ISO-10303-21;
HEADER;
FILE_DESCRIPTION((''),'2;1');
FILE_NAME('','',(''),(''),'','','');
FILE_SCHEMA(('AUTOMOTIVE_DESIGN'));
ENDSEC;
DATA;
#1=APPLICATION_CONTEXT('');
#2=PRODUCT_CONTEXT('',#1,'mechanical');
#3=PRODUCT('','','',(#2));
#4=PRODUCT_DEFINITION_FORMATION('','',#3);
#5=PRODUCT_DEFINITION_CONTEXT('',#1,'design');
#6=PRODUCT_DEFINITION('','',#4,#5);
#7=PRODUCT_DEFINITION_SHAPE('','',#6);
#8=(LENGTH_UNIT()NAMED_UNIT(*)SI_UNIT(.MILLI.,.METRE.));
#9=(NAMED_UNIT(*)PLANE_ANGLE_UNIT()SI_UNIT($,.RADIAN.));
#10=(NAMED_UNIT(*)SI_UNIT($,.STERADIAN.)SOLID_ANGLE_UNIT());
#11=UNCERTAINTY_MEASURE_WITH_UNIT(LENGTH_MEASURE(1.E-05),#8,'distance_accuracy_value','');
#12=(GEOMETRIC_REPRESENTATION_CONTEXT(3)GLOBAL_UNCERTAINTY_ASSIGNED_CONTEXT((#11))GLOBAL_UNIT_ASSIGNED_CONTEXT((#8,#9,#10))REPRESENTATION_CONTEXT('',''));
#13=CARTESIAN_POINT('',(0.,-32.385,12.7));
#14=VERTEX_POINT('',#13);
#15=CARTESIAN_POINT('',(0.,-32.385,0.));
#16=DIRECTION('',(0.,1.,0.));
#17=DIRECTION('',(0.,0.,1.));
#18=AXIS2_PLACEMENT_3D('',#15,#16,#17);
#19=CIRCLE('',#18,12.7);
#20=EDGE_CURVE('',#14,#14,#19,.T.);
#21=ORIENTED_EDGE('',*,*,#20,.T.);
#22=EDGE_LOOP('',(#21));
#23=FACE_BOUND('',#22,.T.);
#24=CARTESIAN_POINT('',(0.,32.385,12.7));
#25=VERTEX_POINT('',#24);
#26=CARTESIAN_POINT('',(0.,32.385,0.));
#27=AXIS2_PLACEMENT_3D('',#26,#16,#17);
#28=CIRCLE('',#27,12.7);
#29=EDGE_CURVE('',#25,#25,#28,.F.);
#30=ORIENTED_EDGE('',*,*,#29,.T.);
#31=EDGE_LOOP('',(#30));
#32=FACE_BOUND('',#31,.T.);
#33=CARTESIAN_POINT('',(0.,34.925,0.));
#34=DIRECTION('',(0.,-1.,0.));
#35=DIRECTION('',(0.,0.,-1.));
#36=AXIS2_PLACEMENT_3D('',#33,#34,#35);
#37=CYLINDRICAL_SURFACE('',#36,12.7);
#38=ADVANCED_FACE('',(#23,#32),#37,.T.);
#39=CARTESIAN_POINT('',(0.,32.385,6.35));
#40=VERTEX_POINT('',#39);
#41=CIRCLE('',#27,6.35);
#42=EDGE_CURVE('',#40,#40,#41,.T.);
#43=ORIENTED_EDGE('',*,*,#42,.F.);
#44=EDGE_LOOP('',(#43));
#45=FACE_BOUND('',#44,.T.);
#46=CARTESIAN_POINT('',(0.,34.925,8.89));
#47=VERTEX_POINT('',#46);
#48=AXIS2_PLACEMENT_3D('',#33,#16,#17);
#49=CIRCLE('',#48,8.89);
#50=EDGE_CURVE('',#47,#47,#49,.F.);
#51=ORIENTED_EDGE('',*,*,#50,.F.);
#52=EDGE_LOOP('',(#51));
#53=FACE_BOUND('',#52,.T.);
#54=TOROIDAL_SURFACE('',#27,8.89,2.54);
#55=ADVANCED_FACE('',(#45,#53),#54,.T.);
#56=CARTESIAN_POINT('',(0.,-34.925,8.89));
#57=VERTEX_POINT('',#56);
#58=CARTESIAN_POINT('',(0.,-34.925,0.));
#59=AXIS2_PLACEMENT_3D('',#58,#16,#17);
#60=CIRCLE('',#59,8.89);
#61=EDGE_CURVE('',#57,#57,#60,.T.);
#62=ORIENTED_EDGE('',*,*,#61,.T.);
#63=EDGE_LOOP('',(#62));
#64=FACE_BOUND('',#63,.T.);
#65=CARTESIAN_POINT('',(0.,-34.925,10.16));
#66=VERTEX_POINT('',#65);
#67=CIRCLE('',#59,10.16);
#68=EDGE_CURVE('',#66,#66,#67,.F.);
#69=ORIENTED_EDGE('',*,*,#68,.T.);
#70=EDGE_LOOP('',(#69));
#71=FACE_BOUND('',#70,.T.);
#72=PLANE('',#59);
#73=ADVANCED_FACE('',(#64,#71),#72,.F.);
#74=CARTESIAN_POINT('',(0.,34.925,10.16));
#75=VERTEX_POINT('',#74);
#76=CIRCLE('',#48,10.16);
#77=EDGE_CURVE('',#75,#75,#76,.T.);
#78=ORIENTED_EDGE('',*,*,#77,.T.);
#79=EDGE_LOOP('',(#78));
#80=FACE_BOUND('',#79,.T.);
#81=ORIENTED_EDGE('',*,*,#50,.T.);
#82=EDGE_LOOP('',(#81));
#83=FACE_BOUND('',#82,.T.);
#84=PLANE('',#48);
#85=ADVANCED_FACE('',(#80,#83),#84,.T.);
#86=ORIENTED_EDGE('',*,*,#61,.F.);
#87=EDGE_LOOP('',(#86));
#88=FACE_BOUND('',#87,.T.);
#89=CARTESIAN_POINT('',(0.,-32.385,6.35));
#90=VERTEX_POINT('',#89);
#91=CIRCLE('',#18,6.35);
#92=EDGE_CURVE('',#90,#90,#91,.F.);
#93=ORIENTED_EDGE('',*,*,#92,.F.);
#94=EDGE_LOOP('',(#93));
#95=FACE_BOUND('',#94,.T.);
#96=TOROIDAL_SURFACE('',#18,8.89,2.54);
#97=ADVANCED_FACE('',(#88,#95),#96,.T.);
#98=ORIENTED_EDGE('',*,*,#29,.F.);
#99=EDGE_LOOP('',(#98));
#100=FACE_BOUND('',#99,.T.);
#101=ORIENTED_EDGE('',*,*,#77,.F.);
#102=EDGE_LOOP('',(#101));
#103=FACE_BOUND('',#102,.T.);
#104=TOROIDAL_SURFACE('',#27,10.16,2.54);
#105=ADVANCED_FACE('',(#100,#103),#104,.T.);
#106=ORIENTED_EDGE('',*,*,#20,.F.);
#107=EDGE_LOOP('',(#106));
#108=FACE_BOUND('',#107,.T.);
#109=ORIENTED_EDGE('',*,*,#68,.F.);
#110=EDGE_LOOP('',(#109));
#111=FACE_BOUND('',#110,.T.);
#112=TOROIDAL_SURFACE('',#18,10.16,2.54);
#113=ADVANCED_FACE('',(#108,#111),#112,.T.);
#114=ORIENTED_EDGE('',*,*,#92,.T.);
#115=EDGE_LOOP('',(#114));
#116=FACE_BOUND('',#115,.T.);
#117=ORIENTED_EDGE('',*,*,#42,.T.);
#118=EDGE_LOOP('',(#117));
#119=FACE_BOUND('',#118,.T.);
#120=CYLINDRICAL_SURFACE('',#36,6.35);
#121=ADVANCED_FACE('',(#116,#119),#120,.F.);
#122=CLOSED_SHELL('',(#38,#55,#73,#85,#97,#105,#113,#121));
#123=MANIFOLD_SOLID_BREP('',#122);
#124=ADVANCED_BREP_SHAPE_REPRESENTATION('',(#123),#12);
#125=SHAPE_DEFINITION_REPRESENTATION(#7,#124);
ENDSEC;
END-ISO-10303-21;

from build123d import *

# Parameters (mm, degrees)
SKETCH1_R           = 12.7
SKETCH1_R_2         = 6.35
BOSS_EXTRUDE1_DEPTH = 34.925
FILLET1_R           = 2.54


with BuildPart() as part:
    # Sketch1 → Boss-Extrude1 (new, symmetric)
    with BuildSketch(Plane(origin=(0, 0, 0), x_dir=(1, 0, 0), z_dir=(0, 1, 0))):
        with Locations(Location((0, 0, 0), (0, 0, 270))):
            Circle(SKETCH1_R)
        with Locations(Location((0, 0, 0), (0, 0, 270))):
            Circle(SKETCH1_R_2, mode=Mode.SUBTRACT)
    extrude(amount=BOSS_EXTRUDE1_DEPTH, both=True)

    # Fillet1
    fillet1_edges = [part.edges().sort_by_distance(p)[0] for p in [
        (0, -34.925, -12.7),
        (0, 34.925, -12.7),
        (0, -34.925, -6.35),
        (0, 34.925, -6.35),
    ]]
    fillet(fillet1_edges, radius=FILLET1_R)


solid = part.part
